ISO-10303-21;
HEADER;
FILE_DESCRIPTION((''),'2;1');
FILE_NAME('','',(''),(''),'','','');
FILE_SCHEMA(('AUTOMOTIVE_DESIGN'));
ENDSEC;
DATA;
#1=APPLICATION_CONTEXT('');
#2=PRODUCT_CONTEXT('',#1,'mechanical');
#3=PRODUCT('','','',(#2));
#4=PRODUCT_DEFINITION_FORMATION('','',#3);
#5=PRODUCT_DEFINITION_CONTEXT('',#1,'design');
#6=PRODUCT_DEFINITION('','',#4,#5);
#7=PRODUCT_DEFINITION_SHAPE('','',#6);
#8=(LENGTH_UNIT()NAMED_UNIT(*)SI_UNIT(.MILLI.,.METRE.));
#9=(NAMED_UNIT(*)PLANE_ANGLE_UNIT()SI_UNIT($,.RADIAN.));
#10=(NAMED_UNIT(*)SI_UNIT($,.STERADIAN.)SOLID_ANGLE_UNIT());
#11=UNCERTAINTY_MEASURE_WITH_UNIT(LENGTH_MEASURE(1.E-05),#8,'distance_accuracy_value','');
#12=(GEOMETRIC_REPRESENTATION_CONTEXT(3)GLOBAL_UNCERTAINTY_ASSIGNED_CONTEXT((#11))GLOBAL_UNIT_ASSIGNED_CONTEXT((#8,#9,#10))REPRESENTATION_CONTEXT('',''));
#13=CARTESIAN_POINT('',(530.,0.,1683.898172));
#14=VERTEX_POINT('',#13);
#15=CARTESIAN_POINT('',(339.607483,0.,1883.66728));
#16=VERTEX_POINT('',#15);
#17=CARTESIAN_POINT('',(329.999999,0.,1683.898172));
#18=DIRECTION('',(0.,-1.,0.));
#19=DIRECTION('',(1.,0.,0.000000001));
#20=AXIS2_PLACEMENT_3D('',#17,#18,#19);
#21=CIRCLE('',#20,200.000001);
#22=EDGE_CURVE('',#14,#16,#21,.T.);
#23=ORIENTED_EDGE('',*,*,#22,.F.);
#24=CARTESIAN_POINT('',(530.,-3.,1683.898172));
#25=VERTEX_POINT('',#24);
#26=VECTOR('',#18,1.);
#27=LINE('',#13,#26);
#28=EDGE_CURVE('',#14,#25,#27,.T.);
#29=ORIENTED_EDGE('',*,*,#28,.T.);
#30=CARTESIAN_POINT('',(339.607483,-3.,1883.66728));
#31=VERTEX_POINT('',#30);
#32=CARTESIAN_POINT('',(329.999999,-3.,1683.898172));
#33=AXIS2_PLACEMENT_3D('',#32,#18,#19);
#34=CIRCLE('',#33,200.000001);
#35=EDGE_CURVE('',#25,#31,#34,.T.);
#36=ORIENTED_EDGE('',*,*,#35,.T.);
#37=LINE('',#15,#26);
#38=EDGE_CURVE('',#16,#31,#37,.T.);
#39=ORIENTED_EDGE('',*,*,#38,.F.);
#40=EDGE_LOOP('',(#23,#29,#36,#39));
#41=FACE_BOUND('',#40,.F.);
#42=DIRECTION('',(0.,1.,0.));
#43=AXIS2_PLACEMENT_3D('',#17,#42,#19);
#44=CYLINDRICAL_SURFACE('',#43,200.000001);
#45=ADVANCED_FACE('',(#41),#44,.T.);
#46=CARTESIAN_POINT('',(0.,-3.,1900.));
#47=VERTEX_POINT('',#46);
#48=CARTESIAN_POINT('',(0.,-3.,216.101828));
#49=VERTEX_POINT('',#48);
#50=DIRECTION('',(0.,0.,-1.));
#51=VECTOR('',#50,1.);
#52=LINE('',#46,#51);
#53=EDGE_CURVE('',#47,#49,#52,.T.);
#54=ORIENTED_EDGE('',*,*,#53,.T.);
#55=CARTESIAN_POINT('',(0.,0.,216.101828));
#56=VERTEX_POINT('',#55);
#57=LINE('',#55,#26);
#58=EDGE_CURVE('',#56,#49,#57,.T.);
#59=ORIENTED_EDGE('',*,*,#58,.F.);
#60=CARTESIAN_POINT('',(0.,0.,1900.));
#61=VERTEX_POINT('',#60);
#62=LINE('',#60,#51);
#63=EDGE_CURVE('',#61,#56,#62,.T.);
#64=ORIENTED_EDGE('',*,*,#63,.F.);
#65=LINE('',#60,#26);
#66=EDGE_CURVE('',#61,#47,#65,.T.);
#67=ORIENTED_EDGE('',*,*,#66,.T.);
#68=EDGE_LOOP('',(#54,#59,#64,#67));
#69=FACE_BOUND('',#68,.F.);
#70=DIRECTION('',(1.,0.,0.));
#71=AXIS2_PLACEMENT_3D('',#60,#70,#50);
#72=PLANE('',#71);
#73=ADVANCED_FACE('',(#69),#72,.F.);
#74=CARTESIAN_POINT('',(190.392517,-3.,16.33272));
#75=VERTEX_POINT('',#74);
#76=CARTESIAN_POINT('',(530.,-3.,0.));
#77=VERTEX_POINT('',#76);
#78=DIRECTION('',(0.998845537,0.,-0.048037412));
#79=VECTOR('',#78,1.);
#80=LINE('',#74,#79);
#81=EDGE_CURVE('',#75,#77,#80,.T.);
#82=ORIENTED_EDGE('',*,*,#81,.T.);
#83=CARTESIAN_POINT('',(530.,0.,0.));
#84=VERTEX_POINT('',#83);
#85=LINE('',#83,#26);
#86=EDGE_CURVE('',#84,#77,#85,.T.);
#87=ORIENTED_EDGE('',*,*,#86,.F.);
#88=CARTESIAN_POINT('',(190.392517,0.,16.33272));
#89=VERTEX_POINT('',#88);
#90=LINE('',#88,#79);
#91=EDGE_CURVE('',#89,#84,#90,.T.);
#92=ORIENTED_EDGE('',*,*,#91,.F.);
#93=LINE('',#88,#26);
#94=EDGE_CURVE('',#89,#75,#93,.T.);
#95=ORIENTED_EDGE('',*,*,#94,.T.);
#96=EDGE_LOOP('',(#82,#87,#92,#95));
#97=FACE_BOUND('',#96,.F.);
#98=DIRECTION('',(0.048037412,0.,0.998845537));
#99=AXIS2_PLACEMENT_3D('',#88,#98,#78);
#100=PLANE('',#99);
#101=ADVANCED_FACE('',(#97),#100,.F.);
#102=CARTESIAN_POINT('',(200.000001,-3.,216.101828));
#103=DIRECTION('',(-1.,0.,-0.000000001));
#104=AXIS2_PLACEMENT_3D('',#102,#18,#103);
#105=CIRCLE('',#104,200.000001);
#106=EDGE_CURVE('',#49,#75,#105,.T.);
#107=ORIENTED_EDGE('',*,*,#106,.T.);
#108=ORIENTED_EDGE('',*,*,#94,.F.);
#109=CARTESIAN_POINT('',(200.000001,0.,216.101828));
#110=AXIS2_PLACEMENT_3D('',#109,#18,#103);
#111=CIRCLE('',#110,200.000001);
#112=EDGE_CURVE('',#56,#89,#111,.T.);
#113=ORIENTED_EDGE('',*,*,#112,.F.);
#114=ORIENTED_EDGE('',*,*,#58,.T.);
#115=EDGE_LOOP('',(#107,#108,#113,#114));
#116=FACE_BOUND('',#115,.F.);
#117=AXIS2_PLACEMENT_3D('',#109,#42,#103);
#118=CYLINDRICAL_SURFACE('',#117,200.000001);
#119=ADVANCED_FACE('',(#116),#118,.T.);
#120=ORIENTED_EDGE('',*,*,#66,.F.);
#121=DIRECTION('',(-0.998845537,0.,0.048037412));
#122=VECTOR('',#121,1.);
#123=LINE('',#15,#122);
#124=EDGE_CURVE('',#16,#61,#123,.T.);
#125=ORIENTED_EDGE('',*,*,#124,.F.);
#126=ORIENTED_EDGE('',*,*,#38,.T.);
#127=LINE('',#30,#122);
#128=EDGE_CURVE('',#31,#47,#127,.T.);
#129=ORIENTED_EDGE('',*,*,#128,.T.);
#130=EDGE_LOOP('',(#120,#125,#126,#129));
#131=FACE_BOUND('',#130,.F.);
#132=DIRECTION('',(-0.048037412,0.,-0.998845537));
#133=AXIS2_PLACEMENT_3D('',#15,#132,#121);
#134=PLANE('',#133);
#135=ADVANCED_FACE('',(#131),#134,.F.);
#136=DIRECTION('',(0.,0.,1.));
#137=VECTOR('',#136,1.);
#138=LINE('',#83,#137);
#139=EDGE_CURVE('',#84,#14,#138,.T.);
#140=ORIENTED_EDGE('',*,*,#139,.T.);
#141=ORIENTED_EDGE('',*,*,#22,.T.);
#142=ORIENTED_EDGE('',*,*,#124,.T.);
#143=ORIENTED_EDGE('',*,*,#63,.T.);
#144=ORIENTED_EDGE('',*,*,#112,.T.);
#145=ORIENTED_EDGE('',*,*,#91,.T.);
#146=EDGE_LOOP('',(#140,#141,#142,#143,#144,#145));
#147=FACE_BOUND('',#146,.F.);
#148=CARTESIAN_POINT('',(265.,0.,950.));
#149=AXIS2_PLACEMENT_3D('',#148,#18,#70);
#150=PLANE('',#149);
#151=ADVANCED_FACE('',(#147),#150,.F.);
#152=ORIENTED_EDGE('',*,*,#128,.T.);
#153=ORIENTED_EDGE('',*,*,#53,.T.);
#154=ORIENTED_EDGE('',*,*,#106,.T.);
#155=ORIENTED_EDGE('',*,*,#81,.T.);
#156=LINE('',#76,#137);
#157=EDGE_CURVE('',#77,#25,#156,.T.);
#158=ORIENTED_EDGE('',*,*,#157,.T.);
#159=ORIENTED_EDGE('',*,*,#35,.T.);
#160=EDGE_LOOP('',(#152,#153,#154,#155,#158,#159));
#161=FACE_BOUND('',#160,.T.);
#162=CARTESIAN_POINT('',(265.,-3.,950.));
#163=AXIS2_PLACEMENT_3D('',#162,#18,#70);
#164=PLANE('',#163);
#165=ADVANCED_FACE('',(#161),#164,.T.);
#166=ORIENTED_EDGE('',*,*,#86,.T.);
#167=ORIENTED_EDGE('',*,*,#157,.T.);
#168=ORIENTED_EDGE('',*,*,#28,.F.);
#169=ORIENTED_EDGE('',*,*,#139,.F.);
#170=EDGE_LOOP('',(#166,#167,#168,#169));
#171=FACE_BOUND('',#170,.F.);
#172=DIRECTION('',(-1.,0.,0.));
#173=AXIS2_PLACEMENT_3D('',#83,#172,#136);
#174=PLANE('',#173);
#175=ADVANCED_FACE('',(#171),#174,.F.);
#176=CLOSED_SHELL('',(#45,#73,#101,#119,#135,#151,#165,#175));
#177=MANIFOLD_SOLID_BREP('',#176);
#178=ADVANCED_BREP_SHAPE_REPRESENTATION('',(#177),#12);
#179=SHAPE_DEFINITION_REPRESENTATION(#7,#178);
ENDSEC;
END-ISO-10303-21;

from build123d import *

# Parameters (mm, degrees)
F1_DEPTH = 3


with BuildPart() as f1:
    # F0 (on Front) → F1 (new body)
    with BuildSketch(Plane.XZ):
        with BuildLine():
            Line((190.392517, 16.33272), (530, 0))
            Line((530, 0), (530, 1683.898172))
            ThreePointArc((530, 1683.898172), (474.778273, 1821.880967), (339.607483, 1883.66728))
            Line((339.607483, 1883.66728), (0, 1900))
            Line((0, 1900), (0, 216.101828))
            ThreePointArc((0, 216.101828), (55.221727, 78.119033), (190.392517, 16.33272))
        make_face()
    extrude(amount=F1_DEPTH)


solid = f1.part
